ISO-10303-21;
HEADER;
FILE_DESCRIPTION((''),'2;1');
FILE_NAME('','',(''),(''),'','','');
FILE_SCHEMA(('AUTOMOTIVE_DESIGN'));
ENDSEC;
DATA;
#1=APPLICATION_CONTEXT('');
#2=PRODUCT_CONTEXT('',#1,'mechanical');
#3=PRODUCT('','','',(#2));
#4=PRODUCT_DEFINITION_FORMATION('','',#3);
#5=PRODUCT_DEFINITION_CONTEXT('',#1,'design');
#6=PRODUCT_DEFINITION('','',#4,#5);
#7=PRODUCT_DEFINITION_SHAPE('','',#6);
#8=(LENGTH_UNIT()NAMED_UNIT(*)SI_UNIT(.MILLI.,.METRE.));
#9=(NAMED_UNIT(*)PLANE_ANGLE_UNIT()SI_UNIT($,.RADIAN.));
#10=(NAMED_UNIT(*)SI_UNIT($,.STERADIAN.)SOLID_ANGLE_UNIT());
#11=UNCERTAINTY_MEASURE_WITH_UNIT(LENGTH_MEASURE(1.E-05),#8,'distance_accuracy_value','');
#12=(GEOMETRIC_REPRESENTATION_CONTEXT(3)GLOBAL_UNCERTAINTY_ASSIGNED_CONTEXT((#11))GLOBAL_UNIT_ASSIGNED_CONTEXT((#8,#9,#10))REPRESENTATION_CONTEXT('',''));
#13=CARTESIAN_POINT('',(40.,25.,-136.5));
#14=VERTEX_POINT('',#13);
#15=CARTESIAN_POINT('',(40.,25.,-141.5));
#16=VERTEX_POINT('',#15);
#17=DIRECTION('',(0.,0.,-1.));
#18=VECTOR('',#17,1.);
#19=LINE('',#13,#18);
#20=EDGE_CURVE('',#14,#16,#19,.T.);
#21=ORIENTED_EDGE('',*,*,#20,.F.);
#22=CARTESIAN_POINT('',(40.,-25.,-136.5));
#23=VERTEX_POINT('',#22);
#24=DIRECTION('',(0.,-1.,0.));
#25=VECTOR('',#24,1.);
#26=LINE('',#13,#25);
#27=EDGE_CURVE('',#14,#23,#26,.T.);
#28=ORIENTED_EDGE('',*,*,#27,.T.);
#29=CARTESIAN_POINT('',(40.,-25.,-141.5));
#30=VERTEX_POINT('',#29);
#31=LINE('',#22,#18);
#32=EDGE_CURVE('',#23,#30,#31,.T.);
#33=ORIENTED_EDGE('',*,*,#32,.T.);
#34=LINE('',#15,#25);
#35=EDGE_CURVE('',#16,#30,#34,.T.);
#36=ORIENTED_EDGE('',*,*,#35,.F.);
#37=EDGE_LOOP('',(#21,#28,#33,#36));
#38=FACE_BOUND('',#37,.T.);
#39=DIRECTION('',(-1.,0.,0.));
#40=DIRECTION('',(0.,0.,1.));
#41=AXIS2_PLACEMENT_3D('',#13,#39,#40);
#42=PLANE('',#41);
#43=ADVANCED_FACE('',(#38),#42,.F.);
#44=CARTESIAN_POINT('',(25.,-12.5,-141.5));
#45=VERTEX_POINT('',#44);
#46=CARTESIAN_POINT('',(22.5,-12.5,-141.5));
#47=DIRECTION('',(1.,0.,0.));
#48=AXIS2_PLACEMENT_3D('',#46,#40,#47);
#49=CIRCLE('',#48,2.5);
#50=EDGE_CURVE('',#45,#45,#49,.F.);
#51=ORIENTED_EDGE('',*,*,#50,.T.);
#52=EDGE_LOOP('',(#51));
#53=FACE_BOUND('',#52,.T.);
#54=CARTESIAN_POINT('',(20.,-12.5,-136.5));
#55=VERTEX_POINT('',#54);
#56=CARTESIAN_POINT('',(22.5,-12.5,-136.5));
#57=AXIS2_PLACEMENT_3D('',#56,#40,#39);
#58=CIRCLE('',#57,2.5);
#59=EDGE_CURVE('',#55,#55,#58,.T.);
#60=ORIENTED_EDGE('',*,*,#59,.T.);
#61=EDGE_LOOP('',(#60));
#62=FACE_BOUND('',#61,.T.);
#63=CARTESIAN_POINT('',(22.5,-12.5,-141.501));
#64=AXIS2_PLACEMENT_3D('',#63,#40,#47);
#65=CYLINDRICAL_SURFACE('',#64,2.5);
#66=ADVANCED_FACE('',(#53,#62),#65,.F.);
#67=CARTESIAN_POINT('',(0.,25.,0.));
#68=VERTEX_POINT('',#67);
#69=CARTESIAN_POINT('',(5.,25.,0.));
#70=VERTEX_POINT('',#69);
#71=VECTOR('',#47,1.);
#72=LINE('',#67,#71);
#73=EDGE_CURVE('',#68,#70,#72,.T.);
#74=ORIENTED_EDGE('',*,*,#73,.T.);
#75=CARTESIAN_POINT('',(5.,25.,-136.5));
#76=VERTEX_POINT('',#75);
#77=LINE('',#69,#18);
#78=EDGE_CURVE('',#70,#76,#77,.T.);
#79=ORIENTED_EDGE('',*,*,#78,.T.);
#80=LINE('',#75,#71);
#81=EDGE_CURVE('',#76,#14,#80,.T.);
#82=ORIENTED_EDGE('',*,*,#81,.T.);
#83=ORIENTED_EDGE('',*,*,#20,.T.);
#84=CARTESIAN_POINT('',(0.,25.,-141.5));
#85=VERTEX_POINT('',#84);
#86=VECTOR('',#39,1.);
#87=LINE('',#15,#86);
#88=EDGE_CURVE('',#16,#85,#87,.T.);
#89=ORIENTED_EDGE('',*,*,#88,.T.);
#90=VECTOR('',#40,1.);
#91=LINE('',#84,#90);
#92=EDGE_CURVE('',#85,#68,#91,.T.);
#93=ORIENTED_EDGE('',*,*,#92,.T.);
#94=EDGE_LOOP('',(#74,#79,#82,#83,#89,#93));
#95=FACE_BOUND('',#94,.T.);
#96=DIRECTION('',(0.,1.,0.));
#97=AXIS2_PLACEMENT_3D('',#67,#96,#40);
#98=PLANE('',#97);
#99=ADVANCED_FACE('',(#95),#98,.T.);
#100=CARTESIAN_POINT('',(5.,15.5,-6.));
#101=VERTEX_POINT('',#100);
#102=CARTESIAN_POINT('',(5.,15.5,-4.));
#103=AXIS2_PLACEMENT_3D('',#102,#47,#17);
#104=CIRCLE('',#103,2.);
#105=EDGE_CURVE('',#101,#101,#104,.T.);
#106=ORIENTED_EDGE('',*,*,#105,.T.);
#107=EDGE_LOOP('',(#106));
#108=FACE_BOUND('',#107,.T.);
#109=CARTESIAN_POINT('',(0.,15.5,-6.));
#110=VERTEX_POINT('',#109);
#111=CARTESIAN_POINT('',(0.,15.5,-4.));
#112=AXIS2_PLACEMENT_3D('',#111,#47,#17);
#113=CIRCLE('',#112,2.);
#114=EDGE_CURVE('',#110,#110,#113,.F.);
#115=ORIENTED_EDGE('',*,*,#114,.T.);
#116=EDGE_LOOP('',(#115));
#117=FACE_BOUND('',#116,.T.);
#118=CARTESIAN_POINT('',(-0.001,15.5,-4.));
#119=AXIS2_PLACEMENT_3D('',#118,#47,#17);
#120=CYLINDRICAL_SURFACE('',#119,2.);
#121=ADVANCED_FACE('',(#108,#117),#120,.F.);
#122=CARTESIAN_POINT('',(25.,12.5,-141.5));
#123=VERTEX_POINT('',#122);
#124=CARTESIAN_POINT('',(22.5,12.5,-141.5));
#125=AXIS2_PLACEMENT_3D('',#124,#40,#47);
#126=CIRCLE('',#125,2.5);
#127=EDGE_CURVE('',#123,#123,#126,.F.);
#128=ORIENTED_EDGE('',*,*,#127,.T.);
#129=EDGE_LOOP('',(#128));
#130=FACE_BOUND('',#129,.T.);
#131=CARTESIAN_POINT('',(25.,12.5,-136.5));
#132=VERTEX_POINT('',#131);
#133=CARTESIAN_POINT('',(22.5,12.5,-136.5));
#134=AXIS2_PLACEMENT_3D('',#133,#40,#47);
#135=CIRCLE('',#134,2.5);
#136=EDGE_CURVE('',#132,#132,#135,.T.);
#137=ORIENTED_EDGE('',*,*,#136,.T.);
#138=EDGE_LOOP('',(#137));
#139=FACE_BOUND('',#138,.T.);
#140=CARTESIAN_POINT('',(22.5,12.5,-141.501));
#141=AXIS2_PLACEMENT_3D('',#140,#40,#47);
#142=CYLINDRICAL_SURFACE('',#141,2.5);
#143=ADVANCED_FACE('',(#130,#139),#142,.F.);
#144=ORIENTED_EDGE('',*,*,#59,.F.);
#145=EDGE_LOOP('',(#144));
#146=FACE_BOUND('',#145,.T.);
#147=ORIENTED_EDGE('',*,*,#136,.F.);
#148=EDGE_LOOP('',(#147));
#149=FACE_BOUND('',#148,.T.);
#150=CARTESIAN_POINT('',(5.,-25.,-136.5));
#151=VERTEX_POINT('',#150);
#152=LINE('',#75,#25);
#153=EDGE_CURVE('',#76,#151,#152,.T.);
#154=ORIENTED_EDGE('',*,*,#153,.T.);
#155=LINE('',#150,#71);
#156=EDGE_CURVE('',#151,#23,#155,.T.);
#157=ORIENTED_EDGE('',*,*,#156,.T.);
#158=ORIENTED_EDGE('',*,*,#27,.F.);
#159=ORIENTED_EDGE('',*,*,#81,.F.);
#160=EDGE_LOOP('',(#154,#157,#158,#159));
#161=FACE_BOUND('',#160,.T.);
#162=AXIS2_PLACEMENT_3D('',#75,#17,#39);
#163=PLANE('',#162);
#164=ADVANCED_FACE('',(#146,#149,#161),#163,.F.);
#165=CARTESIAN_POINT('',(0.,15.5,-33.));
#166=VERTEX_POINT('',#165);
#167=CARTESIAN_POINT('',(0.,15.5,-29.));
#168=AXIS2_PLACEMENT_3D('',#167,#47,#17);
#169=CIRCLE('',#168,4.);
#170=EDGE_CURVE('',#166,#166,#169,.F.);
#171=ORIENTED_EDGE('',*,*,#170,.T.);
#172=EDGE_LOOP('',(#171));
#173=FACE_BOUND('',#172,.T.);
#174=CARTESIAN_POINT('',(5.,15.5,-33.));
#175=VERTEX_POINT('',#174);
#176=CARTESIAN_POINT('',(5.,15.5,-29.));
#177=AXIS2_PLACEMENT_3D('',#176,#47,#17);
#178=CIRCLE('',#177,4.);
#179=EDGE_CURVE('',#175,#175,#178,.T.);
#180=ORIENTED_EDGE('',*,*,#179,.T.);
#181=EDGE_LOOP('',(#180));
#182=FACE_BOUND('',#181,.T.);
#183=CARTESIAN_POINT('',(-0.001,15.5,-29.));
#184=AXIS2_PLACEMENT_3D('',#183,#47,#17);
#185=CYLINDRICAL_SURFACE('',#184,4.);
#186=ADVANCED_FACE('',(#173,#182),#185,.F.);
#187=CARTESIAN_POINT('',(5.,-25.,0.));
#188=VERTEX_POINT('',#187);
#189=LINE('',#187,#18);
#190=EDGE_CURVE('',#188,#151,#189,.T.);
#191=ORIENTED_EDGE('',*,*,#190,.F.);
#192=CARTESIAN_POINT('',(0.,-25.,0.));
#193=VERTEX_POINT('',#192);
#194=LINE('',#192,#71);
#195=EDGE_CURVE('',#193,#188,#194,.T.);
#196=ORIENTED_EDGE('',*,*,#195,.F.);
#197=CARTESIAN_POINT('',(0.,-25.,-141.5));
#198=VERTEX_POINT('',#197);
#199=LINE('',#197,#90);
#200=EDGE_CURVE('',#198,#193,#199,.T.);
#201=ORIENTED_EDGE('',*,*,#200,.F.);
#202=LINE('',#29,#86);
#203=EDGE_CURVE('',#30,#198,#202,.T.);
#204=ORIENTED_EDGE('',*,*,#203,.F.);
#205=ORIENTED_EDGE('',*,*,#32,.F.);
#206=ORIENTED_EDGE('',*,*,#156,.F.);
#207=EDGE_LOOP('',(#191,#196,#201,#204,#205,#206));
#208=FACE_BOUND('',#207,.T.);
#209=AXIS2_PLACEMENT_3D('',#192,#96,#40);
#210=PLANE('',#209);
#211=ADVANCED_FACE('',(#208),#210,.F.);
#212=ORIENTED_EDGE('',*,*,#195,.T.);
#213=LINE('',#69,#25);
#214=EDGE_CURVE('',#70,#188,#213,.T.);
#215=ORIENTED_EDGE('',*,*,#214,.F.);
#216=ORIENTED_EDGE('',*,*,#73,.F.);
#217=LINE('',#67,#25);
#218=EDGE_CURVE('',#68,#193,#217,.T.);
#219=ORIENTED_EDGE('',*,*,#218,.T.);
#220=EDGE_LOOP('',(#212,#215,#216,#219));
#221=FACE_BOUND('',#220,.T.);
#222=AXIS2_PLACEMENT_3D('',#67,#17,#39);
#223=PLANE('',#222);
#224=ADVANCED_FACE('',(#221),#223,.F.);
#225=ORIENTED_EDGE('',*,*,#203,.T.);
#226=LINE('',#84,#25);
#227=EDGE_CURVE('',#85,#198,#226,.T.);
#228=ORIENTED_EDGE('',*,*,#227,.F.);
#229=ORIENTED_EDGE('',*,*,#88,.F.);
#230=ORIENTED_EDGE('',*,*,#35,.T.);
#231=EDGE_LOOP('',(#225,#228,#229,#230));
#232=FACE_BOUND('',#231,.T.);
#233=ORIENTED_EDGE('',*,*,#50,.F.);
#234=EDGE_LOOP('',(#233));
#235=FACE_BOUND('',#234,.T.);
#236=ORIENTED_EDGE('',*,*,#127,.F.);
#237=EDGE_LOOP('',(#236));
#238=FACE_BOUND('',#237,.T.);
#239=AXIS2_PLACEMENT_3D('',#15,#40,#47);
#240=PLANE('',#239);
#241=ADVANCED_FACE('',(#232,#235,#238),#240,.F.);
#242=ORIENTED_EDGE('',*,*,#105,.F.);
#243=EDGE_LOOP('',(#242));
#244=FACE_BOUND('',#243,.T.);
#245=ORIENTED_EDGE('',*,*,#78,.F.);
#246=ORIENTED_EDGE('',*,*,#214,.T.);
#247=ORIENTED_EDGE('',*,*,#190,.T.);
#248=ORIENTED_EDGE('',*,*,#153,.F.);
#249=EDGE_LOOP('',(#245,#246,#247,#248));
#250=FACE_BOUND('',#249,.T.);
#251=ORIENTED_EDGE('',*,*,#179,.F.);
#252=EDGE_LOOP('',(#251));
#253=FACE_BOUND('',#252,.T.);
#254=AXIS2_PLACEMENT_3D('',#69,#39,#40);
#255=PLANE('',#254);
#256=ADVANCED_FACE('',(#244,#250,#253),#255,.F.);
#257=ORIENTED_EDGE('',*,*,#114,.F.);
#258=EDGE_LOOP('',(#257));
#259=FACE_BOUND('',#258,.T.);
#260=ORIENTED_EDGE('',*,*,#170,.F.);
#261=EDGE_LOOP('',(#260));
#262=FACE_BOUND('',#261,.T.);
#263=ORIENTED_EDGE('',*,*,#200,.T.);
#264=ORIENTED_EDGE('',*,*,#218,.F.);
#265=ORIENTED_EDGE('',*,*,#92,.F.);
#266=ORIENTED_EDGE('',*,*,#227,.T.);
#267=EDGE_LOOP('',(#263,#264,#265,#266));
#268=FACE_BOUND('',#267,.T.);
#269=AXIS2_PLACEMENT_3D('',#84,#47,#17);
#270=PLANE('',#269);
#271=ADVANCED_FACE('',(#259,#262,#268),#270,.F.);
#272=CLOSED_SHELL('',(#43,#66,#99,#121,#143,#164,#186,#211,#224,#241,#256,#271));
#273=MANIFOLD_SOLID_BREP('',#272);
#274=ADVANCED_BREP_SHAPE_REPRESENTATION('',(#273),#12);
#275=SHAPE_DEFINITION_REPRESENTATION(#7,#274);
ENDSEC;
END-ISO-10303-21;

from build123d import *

# Parameters (mm, degrees)
BOSS_EXTRUDE2_DEPTH = 25
CUT_EXTRUDE2_REACH  = 149.893
SKETCH4_R           = 2
SKETCH4_R_2         = 4
CUT_EXTRUDE3_REACH  = 146.42
SKETCH5_R           = 2.5


with BuildPart() as part:
    # Sketch3 → Boss-Extrude2 (new, symmetric)
    with BuildSketch(Plane(origin=(0, 0, 0), x_dir=(1, 0, 0), z_dir=(0, 1, 0))):
        Polygon((0, 0), (5, 0), (5, 136.5), (40, 136.5), (40, 141.5), (0, 141.5), align=None)
    extrude(amount=BOSS_EXTRUDE2_DEPTH, both=True)

    # Sketch4 → Cut-Extrude2 (cut, up to next)
    with BuildSketch(Plane(origin=(5, 0, 0), x_dir=(0, 0, -1), z_dir=(1, 0, 0)), mode=Mode.PRIVATE) as cut_extrude2_sk1:
        with Locations((4, 15.5)):
            Circle(SKETCH4_R)
    cut_extrude2_tool1 = extrude(cut_extrude2_sk1.sketch, amount=-CUT_EXTRUDE2_REACH, mode=Mode.PRIVATE) & part.part
    # Sketch4 → Cut-Extrude2 (cut, up to next)
    with BuildSketch(Plane(origin=(5, 0, 0), x_dir=(0, 0, -1), z_dir=(1, 0, 0)), mode=Mode.PRIVATE) as cut_extrude2_sk2:
        with Locations((29, 15.5)):
            Circle(SKETCH4_R_2)
    cut_extrude2_tool2 = extrude(cut_extrude2_sk2.sketch, amount=-CUT_EXTRUDE2_REACH, mode=Mode.PRIVATE) & part.part
    add(cut_extrude2_tool1.solids().sort_by_distance((5, 15.5, -4))[0], mode=Mode.SUBTRACT)
    add(cut_extrude2_tool2.solids().sort_by_distance((5, 15.5, -29))[0], mode=Mode.SUBTRACT)

    # Sketch5 → Cut-Extrude3 (cut, up to next)
    with BuildSketch(Plane.XY.offset(-136.5), mode=Mode.PRIVATE) as cut_extrude3_sk1:
        with Locations((22.5, 12.5)):
            Circle(SKETCH5_R)
    cut_extrude3_tool1 = extrude(cut_extrude3_sk1.sketch, amount=-CUT_EXTRUDE3_REACH, mode=Mode.PRIVATE) & part.part
    # Sketch5 → Cut-Extrude3 (cut, up to next)
    with BuildSketch(Plane.XY.offset(-136.5), mode=Mode.PRIVATE) as cut_extrude3_sk2:
        with Locations((22.5, -12.5)):
            Circle(SKETCH5_R)
    cut_extrude3_tool2 = extrude(cut_extrude3_sk2.sketch, amount=-CUT_EXTRUDE3_REACH, mode=Mode.PRIVATE) & part.part
    add(cut_extrude3_tool1.solids().sort_by_distance((22.5, 12.5, -136.5))[0], mode=Mode.SUBTRACT)
    add(cut_extrude3_tool2.solids().sort_by_distance((22.5, -12.5, -136.5))[0], mode=Mode.SUBTRACT)


solid = part.part
